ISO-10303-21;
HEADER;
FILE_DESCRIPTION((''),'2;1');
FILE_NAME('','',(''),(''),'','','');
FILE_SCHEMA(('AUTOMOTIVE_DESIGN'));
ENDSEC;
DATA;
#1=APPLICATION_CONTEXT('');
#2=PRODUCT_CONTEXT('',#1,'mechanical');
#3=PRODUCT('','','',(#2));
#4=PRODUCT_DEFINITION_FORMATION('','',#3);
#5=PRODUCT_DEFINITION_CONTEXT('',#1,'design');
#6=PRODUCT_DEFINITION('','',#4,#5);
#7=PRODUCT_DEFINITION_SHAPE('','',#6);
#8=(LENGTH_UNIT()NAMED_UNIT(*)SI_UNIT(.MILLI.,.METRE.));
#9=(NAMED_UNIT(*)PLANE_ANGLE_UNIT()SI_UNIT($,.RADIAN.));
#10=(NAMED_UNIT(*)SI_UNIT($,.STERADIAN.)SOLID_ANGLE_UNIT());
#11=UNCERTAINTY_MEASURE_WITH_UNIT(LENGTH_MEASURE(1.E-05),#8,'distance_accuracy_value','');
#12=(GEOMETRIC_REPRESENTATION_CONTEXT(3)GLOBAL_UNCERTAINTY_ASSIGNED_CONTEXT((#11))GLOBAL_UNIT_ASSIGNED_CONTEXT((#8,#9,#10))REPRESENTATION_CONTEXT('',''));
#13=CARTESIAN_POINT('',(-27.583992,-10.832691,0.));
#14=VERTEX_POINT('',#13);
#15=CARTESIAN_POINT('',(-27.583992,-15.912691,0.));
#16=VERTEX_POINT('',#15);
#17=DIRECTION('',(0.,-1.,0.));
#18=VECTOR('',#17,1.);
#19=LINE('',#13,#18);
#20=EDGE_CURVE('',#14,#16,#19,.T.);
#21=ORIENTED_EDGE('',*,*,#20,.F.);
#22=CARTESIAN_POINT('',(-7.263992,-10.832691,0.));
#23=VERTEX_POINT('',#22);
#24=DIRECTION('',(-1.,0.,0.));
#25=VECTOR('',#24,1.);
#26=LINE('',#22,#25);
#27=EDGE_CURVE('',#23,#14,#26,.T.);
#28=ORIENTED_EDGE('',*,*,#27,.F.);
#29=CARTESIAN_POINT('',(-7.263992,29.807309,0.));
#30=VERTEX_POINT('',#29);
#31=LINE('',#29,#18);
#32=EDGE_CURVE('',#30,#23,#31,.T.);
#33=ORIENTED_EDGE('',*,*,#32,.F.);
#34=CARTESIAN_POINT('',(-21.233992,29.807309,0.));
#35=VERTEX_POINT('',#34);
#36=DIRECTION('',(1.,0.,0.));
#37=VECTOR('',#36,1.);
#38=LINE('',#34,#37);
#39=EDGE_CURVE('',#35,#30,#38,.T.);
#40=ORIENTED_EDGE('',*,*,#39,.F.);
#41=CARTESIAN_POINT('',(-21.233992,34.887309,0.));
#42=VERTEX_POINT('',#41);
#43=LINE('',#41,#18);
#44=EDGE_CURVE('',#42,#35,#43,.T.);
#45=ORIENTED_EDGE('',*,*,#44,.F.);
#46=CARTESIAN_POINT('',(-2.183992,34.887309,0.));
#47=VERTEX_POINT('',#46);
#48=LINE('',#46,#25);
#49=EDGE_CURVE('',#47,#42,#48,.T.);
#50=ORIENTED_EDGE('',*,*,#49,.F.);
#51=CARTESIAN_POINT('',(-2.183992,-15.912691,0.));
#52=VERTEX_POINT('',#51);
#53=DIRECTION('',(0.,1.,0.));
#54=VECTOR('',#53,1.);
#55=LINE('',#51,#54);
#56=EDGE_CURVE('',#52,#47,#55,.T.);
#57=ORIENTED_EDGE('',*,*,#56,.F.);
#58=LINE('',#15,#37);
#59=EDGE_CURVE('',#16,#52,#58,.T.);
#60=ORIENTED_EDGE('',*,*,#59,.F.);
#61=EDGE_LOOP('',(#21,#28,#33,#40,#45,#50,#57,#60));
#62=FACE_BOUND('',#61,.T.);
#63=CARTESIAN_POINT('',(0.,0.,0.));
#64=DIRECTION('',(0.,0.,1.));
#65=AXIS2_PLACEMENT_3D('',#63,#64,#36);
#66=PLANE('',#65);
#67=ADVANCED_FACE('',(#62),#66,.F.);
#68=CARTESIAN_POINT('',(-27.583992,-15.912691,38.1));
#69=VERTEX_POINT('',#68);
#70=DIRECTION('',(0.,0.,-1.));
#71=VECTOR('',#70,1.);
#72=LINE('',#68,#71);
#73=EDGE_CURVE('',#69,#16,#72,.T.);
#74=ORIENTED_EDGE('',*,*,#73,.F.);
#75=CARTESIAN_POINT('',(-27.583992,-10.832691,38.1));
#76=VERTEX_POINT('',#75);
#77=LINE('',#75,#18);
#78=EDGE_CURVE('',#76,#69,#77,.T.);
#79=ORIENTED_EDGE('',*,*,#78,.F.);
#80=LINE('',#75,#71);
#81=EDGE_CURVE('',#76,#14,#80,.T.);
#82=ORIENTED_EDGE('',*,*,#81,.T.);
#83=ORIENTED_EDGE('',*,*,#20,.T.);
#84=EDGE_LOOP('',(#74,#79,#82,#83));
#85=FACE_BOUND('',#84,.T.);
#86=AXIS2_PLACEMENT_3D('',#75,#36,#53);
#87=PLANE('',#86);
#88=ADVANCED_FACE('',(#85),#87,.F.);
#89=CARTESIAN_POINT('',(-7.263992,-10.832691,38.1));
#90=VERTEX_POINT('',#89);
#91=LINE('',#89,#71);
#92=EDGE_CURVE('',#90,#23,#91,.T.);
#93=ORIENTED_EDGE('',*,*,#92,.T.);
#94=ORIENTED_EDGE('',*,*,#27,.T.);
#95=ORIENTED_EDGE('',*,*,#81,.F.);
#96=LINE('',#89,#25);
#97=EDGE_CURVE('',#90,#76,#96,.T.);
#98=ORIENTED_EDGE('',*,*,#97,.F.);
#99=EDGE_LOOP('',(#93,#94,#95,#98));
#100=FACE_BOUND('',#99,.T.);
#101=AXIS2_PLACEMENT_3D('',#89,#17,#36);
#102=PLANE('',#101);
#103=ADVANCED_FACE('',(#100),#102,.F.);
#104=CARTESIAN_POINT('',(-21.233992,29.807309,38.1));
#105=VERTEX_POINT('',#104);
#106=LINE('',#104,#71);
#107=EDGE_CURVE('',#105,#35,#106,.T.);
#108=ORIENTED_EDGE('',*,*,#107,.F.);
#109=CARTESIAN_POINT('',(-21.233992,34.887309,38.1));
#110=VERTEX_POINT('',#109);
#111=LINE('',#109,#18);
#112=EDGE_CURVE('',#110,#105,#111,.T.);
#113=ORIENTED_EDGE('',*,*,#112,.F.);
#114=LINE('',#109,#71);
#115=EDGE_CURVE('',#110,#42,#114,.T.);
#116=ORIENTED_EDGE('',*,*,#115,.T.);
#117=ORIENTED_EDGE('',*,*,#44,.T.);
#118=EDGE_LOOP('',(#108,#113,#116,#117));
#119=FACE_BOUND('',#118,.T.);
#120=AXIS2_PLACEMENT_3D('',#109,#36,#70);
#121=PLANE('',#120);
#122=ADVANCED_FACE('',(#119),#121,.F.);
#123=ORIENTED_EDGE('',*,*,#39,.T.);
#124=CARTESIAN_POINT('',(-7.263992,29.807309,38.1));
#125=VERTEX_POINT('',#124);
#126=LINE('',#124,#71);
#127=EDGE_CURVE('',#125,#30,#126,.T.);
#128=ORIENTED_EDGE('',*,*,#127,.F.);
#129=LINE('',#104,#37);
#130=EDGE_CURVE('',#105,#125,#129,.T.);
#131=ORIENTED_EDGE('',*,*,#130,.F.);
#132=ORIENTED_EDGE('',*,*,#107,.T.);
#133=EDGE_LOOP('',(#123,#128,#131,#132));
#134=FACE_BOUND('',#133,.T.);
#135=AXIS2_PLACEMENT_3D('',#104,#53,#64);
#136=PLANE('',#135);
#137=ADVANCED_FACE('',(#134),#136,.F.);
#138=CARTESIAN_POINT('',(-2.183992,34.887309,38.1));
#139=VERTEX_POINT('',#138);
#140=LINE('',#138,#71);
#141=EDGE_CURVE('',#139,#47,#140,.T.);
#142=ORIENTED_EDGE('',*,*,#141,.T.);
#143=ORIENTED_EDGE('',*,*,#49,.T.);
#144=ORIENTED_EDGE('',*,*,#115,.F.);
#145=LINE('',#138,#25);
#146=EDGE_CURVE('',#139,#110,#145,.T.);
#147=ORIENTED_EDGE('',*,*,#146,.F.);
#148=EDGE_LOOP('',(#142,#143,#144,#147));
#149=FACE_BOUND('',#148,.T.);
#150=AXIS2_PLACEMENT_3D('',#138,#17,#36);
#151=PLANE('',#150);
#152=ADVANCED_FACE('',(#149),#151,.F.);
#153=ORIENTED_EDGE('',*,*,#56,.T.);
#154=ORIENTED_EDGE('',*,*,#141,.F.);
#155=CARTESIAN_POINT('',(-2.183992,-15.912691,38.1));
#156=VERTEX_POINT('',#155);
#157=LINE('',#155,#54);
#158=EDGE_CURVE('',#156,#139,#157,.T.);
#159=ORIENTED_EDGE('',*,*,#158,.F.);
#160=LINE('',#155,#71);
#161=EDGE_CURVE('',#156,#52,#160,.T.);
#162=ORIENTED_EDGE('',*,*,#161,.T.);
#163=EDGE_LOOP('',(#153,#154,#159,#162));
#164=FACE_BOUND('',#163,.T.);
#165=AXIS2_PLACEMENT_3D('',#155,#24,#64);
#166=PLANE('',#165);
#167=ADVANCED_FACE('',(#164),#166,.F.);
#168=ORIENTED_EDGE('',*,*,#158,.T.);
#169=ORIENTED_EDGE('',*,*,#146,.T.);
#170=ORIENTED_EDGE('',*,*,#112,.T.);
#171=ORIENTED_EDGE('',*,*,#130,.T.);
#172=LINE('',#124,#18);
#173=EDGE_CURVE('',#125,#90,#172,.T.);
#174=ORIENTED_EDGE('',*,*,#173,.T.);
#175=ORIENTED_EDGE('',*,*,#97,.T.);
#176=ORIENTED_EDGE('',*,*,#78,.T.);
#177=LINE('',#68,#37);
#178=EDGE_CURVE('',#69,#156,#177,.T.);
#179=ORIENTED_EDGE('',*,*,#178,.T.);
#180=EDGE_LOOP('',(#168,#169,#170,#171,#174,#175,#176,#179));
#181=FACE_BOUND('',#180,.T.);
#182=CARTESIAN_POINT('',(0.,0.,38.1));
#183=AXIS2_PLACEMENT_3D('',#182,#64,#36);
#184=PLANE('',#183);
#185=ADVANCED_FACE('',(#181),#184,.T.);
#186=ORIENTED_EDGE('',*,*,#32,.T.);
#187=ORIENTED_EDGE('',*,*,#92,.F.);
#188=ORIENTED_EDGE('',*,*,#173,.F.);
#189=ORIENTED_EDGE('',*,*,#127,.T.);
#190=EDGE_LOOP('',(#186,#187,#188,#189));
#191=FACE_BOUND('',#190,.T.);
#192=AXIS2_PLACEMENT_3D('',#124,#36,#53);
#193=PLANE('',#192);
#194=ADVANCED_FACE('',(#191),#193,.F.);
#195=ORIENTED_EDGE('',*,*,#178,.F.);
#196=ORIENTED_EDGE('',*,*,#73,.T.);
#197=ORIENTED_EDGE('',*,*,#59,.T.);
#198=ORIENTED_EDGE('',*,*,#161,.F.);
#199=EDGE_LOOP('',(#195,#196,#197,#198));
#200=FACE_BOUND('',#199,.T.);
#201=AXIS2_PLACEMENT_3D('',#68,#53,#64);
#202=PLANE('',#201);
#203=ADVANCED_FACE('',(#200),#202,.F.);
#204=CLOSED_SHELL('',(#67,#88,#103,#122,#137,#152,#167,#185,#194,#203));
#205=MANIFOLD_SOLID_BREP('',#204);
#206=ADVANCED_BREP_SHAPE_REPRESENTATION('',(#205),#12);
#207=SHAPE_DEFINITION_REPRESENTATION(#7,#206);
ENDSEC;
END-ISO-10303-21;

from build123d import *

# Parameters (mm, degrees)
BOSS_EXTRUDE1_DEPTH = 38.1


with BuildPart() as part:
    # Sketch1 → Boss-Extrude1 (new body)
    with BuildSketch(Plane.XY):
        Polygon((-21.233992122, 34.887308639), (-21.233992122, 29.807308639), (-7.263992122, 29.807308639), (-7.263992122, -10.832691361), (-27.583992122, -10.832691361), (-27.583992122, -15.912691361), (-2.183992122, -15.912691361), (-2.183992122, 34.887308639), align=None)
    extrude(amount=BOSS_EXTRUDE1_DEPTH)


solid = part.part
